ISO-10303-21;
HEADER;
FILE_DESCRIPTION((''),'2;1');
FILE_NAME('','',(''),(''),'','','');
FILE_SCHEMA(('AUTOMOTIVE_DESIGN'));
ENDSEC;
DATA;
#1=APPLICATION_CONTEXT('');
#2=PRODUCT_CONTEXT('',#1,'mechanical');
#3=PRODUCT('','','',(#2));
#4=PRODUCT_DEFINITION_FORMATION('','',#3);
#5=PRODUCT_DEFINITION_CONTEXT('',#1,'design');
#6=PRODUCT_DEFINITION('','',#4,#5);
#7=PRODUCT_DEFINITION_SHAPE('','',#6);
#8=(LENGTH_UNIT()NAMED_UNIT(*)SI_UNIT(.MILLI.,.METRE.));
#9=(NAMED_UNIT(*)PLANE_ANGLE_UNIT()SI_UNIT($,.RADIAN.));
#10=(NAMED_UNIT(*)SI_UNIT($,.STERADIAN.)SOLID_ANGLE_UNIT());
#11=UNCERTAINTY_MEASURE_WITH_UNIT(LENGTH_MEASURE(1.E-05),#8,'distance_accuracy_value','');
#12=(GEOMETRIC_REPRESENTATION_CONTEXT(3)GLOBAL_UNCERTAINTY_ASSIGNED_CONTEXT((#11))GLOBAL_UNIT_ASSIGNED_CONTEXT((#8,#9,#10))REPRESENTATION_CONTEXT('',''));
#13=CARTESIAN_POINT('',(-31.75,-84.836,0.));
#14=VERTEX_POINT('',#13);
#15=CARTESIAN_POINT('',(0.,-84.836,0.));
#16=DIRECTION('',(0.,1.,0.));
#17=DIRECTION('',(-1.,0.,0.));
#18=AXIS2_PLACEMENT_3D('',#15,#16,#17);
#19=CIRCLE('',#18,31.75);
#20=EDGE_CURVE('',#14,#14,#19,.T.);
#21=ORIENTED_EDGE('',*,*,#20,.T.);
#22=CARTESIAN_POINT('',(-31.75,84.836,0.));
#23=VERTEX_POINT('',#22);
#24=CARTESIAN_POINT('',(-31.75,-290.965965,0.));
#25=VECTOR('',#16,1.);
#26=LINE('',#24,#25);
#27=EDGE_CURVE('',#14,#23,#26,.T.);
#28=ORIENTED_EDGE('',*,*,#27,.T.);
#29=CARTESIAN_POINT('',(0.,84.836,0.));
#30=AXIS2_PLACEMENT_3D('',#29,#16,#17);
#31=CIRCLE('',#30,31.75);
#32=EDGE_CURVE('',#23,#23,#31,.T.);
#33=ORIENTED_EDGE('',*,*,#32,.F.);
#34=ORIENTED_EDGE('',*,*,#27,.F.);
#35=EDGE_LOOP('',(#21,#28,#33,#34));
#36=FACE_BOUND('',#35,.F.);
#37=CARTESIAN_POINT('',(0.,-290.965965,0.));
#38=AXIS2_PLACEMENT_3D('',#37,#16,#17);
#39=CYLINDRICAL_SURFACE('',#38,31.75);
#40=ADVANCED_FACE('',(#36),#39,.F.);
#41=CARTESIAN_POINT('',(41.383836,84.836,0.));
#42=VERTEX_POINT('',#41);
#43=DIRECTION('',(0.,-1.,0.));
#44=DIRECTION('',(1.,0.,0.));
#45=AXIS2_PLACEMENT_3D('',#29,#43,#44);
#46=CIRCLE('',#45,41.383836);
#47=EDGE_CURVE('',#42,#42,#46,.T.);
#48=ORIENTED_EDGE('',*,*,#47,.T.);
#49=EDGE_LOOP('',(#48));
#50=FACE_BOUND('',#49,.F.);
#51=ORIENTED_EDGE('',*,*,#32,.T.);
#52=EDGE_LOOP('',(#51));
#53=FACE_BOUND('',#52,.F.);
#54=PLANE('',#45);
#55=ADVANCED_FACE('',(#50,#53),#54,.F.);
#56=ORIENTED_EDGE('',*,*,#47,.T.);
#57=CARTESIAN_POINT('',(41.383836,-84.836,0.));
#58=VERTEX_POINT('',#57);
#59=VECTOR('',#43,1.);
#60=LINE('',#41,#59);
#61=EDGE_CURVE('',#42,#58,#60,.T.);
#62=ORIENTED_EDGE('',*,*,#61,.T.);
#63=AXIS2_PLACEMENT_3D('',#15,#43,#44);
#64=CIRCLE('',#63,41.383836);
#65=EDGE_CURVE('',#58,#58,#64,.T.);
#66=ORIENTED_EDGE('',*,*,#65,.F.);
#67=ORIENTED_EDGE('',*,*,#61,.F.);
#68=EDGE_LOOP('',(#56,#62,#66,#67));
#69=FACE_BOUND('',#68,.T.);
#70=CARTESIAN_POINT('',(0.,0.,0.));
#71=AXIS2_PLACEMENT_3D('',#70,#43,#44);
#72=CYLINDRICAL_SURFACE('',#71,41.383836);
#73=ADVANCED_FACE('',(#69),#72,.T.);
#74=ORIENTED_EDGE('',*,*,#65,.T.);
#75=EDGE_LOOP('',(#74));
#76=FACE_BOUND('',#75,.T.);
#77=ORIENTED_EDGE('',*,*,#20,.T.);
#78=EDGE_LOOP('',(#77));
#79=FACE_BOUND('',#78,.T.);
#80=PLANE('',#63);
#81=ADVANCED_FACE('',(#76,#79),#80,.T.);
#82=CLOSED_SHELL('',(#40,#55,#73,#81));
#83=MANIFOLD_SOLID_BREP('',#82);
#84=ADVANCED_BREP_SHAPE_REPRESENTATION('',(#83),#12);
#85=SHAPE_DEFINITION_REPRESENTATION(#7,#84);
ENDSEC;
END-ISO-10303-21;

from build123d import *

# Parameters (mm, degrees)
F0_R     = 41.383836
F1_DEPTH = 84.836
F3_D     = 63.5


with BuildPart() as f1:
    # F0 (on Front) → F1 (new body, symmetric)
    with BuildSketch(Plane.XZ):
        Circle(F0_R)
    extrude(amount=F1_DEPTH, both=True)

    # F3 (through all)
    with Locations(Plane.XZ.offset(84.836)):
        with Locations((0, 0)):
            Hole(F3_D / 2)


solid = f1.part
